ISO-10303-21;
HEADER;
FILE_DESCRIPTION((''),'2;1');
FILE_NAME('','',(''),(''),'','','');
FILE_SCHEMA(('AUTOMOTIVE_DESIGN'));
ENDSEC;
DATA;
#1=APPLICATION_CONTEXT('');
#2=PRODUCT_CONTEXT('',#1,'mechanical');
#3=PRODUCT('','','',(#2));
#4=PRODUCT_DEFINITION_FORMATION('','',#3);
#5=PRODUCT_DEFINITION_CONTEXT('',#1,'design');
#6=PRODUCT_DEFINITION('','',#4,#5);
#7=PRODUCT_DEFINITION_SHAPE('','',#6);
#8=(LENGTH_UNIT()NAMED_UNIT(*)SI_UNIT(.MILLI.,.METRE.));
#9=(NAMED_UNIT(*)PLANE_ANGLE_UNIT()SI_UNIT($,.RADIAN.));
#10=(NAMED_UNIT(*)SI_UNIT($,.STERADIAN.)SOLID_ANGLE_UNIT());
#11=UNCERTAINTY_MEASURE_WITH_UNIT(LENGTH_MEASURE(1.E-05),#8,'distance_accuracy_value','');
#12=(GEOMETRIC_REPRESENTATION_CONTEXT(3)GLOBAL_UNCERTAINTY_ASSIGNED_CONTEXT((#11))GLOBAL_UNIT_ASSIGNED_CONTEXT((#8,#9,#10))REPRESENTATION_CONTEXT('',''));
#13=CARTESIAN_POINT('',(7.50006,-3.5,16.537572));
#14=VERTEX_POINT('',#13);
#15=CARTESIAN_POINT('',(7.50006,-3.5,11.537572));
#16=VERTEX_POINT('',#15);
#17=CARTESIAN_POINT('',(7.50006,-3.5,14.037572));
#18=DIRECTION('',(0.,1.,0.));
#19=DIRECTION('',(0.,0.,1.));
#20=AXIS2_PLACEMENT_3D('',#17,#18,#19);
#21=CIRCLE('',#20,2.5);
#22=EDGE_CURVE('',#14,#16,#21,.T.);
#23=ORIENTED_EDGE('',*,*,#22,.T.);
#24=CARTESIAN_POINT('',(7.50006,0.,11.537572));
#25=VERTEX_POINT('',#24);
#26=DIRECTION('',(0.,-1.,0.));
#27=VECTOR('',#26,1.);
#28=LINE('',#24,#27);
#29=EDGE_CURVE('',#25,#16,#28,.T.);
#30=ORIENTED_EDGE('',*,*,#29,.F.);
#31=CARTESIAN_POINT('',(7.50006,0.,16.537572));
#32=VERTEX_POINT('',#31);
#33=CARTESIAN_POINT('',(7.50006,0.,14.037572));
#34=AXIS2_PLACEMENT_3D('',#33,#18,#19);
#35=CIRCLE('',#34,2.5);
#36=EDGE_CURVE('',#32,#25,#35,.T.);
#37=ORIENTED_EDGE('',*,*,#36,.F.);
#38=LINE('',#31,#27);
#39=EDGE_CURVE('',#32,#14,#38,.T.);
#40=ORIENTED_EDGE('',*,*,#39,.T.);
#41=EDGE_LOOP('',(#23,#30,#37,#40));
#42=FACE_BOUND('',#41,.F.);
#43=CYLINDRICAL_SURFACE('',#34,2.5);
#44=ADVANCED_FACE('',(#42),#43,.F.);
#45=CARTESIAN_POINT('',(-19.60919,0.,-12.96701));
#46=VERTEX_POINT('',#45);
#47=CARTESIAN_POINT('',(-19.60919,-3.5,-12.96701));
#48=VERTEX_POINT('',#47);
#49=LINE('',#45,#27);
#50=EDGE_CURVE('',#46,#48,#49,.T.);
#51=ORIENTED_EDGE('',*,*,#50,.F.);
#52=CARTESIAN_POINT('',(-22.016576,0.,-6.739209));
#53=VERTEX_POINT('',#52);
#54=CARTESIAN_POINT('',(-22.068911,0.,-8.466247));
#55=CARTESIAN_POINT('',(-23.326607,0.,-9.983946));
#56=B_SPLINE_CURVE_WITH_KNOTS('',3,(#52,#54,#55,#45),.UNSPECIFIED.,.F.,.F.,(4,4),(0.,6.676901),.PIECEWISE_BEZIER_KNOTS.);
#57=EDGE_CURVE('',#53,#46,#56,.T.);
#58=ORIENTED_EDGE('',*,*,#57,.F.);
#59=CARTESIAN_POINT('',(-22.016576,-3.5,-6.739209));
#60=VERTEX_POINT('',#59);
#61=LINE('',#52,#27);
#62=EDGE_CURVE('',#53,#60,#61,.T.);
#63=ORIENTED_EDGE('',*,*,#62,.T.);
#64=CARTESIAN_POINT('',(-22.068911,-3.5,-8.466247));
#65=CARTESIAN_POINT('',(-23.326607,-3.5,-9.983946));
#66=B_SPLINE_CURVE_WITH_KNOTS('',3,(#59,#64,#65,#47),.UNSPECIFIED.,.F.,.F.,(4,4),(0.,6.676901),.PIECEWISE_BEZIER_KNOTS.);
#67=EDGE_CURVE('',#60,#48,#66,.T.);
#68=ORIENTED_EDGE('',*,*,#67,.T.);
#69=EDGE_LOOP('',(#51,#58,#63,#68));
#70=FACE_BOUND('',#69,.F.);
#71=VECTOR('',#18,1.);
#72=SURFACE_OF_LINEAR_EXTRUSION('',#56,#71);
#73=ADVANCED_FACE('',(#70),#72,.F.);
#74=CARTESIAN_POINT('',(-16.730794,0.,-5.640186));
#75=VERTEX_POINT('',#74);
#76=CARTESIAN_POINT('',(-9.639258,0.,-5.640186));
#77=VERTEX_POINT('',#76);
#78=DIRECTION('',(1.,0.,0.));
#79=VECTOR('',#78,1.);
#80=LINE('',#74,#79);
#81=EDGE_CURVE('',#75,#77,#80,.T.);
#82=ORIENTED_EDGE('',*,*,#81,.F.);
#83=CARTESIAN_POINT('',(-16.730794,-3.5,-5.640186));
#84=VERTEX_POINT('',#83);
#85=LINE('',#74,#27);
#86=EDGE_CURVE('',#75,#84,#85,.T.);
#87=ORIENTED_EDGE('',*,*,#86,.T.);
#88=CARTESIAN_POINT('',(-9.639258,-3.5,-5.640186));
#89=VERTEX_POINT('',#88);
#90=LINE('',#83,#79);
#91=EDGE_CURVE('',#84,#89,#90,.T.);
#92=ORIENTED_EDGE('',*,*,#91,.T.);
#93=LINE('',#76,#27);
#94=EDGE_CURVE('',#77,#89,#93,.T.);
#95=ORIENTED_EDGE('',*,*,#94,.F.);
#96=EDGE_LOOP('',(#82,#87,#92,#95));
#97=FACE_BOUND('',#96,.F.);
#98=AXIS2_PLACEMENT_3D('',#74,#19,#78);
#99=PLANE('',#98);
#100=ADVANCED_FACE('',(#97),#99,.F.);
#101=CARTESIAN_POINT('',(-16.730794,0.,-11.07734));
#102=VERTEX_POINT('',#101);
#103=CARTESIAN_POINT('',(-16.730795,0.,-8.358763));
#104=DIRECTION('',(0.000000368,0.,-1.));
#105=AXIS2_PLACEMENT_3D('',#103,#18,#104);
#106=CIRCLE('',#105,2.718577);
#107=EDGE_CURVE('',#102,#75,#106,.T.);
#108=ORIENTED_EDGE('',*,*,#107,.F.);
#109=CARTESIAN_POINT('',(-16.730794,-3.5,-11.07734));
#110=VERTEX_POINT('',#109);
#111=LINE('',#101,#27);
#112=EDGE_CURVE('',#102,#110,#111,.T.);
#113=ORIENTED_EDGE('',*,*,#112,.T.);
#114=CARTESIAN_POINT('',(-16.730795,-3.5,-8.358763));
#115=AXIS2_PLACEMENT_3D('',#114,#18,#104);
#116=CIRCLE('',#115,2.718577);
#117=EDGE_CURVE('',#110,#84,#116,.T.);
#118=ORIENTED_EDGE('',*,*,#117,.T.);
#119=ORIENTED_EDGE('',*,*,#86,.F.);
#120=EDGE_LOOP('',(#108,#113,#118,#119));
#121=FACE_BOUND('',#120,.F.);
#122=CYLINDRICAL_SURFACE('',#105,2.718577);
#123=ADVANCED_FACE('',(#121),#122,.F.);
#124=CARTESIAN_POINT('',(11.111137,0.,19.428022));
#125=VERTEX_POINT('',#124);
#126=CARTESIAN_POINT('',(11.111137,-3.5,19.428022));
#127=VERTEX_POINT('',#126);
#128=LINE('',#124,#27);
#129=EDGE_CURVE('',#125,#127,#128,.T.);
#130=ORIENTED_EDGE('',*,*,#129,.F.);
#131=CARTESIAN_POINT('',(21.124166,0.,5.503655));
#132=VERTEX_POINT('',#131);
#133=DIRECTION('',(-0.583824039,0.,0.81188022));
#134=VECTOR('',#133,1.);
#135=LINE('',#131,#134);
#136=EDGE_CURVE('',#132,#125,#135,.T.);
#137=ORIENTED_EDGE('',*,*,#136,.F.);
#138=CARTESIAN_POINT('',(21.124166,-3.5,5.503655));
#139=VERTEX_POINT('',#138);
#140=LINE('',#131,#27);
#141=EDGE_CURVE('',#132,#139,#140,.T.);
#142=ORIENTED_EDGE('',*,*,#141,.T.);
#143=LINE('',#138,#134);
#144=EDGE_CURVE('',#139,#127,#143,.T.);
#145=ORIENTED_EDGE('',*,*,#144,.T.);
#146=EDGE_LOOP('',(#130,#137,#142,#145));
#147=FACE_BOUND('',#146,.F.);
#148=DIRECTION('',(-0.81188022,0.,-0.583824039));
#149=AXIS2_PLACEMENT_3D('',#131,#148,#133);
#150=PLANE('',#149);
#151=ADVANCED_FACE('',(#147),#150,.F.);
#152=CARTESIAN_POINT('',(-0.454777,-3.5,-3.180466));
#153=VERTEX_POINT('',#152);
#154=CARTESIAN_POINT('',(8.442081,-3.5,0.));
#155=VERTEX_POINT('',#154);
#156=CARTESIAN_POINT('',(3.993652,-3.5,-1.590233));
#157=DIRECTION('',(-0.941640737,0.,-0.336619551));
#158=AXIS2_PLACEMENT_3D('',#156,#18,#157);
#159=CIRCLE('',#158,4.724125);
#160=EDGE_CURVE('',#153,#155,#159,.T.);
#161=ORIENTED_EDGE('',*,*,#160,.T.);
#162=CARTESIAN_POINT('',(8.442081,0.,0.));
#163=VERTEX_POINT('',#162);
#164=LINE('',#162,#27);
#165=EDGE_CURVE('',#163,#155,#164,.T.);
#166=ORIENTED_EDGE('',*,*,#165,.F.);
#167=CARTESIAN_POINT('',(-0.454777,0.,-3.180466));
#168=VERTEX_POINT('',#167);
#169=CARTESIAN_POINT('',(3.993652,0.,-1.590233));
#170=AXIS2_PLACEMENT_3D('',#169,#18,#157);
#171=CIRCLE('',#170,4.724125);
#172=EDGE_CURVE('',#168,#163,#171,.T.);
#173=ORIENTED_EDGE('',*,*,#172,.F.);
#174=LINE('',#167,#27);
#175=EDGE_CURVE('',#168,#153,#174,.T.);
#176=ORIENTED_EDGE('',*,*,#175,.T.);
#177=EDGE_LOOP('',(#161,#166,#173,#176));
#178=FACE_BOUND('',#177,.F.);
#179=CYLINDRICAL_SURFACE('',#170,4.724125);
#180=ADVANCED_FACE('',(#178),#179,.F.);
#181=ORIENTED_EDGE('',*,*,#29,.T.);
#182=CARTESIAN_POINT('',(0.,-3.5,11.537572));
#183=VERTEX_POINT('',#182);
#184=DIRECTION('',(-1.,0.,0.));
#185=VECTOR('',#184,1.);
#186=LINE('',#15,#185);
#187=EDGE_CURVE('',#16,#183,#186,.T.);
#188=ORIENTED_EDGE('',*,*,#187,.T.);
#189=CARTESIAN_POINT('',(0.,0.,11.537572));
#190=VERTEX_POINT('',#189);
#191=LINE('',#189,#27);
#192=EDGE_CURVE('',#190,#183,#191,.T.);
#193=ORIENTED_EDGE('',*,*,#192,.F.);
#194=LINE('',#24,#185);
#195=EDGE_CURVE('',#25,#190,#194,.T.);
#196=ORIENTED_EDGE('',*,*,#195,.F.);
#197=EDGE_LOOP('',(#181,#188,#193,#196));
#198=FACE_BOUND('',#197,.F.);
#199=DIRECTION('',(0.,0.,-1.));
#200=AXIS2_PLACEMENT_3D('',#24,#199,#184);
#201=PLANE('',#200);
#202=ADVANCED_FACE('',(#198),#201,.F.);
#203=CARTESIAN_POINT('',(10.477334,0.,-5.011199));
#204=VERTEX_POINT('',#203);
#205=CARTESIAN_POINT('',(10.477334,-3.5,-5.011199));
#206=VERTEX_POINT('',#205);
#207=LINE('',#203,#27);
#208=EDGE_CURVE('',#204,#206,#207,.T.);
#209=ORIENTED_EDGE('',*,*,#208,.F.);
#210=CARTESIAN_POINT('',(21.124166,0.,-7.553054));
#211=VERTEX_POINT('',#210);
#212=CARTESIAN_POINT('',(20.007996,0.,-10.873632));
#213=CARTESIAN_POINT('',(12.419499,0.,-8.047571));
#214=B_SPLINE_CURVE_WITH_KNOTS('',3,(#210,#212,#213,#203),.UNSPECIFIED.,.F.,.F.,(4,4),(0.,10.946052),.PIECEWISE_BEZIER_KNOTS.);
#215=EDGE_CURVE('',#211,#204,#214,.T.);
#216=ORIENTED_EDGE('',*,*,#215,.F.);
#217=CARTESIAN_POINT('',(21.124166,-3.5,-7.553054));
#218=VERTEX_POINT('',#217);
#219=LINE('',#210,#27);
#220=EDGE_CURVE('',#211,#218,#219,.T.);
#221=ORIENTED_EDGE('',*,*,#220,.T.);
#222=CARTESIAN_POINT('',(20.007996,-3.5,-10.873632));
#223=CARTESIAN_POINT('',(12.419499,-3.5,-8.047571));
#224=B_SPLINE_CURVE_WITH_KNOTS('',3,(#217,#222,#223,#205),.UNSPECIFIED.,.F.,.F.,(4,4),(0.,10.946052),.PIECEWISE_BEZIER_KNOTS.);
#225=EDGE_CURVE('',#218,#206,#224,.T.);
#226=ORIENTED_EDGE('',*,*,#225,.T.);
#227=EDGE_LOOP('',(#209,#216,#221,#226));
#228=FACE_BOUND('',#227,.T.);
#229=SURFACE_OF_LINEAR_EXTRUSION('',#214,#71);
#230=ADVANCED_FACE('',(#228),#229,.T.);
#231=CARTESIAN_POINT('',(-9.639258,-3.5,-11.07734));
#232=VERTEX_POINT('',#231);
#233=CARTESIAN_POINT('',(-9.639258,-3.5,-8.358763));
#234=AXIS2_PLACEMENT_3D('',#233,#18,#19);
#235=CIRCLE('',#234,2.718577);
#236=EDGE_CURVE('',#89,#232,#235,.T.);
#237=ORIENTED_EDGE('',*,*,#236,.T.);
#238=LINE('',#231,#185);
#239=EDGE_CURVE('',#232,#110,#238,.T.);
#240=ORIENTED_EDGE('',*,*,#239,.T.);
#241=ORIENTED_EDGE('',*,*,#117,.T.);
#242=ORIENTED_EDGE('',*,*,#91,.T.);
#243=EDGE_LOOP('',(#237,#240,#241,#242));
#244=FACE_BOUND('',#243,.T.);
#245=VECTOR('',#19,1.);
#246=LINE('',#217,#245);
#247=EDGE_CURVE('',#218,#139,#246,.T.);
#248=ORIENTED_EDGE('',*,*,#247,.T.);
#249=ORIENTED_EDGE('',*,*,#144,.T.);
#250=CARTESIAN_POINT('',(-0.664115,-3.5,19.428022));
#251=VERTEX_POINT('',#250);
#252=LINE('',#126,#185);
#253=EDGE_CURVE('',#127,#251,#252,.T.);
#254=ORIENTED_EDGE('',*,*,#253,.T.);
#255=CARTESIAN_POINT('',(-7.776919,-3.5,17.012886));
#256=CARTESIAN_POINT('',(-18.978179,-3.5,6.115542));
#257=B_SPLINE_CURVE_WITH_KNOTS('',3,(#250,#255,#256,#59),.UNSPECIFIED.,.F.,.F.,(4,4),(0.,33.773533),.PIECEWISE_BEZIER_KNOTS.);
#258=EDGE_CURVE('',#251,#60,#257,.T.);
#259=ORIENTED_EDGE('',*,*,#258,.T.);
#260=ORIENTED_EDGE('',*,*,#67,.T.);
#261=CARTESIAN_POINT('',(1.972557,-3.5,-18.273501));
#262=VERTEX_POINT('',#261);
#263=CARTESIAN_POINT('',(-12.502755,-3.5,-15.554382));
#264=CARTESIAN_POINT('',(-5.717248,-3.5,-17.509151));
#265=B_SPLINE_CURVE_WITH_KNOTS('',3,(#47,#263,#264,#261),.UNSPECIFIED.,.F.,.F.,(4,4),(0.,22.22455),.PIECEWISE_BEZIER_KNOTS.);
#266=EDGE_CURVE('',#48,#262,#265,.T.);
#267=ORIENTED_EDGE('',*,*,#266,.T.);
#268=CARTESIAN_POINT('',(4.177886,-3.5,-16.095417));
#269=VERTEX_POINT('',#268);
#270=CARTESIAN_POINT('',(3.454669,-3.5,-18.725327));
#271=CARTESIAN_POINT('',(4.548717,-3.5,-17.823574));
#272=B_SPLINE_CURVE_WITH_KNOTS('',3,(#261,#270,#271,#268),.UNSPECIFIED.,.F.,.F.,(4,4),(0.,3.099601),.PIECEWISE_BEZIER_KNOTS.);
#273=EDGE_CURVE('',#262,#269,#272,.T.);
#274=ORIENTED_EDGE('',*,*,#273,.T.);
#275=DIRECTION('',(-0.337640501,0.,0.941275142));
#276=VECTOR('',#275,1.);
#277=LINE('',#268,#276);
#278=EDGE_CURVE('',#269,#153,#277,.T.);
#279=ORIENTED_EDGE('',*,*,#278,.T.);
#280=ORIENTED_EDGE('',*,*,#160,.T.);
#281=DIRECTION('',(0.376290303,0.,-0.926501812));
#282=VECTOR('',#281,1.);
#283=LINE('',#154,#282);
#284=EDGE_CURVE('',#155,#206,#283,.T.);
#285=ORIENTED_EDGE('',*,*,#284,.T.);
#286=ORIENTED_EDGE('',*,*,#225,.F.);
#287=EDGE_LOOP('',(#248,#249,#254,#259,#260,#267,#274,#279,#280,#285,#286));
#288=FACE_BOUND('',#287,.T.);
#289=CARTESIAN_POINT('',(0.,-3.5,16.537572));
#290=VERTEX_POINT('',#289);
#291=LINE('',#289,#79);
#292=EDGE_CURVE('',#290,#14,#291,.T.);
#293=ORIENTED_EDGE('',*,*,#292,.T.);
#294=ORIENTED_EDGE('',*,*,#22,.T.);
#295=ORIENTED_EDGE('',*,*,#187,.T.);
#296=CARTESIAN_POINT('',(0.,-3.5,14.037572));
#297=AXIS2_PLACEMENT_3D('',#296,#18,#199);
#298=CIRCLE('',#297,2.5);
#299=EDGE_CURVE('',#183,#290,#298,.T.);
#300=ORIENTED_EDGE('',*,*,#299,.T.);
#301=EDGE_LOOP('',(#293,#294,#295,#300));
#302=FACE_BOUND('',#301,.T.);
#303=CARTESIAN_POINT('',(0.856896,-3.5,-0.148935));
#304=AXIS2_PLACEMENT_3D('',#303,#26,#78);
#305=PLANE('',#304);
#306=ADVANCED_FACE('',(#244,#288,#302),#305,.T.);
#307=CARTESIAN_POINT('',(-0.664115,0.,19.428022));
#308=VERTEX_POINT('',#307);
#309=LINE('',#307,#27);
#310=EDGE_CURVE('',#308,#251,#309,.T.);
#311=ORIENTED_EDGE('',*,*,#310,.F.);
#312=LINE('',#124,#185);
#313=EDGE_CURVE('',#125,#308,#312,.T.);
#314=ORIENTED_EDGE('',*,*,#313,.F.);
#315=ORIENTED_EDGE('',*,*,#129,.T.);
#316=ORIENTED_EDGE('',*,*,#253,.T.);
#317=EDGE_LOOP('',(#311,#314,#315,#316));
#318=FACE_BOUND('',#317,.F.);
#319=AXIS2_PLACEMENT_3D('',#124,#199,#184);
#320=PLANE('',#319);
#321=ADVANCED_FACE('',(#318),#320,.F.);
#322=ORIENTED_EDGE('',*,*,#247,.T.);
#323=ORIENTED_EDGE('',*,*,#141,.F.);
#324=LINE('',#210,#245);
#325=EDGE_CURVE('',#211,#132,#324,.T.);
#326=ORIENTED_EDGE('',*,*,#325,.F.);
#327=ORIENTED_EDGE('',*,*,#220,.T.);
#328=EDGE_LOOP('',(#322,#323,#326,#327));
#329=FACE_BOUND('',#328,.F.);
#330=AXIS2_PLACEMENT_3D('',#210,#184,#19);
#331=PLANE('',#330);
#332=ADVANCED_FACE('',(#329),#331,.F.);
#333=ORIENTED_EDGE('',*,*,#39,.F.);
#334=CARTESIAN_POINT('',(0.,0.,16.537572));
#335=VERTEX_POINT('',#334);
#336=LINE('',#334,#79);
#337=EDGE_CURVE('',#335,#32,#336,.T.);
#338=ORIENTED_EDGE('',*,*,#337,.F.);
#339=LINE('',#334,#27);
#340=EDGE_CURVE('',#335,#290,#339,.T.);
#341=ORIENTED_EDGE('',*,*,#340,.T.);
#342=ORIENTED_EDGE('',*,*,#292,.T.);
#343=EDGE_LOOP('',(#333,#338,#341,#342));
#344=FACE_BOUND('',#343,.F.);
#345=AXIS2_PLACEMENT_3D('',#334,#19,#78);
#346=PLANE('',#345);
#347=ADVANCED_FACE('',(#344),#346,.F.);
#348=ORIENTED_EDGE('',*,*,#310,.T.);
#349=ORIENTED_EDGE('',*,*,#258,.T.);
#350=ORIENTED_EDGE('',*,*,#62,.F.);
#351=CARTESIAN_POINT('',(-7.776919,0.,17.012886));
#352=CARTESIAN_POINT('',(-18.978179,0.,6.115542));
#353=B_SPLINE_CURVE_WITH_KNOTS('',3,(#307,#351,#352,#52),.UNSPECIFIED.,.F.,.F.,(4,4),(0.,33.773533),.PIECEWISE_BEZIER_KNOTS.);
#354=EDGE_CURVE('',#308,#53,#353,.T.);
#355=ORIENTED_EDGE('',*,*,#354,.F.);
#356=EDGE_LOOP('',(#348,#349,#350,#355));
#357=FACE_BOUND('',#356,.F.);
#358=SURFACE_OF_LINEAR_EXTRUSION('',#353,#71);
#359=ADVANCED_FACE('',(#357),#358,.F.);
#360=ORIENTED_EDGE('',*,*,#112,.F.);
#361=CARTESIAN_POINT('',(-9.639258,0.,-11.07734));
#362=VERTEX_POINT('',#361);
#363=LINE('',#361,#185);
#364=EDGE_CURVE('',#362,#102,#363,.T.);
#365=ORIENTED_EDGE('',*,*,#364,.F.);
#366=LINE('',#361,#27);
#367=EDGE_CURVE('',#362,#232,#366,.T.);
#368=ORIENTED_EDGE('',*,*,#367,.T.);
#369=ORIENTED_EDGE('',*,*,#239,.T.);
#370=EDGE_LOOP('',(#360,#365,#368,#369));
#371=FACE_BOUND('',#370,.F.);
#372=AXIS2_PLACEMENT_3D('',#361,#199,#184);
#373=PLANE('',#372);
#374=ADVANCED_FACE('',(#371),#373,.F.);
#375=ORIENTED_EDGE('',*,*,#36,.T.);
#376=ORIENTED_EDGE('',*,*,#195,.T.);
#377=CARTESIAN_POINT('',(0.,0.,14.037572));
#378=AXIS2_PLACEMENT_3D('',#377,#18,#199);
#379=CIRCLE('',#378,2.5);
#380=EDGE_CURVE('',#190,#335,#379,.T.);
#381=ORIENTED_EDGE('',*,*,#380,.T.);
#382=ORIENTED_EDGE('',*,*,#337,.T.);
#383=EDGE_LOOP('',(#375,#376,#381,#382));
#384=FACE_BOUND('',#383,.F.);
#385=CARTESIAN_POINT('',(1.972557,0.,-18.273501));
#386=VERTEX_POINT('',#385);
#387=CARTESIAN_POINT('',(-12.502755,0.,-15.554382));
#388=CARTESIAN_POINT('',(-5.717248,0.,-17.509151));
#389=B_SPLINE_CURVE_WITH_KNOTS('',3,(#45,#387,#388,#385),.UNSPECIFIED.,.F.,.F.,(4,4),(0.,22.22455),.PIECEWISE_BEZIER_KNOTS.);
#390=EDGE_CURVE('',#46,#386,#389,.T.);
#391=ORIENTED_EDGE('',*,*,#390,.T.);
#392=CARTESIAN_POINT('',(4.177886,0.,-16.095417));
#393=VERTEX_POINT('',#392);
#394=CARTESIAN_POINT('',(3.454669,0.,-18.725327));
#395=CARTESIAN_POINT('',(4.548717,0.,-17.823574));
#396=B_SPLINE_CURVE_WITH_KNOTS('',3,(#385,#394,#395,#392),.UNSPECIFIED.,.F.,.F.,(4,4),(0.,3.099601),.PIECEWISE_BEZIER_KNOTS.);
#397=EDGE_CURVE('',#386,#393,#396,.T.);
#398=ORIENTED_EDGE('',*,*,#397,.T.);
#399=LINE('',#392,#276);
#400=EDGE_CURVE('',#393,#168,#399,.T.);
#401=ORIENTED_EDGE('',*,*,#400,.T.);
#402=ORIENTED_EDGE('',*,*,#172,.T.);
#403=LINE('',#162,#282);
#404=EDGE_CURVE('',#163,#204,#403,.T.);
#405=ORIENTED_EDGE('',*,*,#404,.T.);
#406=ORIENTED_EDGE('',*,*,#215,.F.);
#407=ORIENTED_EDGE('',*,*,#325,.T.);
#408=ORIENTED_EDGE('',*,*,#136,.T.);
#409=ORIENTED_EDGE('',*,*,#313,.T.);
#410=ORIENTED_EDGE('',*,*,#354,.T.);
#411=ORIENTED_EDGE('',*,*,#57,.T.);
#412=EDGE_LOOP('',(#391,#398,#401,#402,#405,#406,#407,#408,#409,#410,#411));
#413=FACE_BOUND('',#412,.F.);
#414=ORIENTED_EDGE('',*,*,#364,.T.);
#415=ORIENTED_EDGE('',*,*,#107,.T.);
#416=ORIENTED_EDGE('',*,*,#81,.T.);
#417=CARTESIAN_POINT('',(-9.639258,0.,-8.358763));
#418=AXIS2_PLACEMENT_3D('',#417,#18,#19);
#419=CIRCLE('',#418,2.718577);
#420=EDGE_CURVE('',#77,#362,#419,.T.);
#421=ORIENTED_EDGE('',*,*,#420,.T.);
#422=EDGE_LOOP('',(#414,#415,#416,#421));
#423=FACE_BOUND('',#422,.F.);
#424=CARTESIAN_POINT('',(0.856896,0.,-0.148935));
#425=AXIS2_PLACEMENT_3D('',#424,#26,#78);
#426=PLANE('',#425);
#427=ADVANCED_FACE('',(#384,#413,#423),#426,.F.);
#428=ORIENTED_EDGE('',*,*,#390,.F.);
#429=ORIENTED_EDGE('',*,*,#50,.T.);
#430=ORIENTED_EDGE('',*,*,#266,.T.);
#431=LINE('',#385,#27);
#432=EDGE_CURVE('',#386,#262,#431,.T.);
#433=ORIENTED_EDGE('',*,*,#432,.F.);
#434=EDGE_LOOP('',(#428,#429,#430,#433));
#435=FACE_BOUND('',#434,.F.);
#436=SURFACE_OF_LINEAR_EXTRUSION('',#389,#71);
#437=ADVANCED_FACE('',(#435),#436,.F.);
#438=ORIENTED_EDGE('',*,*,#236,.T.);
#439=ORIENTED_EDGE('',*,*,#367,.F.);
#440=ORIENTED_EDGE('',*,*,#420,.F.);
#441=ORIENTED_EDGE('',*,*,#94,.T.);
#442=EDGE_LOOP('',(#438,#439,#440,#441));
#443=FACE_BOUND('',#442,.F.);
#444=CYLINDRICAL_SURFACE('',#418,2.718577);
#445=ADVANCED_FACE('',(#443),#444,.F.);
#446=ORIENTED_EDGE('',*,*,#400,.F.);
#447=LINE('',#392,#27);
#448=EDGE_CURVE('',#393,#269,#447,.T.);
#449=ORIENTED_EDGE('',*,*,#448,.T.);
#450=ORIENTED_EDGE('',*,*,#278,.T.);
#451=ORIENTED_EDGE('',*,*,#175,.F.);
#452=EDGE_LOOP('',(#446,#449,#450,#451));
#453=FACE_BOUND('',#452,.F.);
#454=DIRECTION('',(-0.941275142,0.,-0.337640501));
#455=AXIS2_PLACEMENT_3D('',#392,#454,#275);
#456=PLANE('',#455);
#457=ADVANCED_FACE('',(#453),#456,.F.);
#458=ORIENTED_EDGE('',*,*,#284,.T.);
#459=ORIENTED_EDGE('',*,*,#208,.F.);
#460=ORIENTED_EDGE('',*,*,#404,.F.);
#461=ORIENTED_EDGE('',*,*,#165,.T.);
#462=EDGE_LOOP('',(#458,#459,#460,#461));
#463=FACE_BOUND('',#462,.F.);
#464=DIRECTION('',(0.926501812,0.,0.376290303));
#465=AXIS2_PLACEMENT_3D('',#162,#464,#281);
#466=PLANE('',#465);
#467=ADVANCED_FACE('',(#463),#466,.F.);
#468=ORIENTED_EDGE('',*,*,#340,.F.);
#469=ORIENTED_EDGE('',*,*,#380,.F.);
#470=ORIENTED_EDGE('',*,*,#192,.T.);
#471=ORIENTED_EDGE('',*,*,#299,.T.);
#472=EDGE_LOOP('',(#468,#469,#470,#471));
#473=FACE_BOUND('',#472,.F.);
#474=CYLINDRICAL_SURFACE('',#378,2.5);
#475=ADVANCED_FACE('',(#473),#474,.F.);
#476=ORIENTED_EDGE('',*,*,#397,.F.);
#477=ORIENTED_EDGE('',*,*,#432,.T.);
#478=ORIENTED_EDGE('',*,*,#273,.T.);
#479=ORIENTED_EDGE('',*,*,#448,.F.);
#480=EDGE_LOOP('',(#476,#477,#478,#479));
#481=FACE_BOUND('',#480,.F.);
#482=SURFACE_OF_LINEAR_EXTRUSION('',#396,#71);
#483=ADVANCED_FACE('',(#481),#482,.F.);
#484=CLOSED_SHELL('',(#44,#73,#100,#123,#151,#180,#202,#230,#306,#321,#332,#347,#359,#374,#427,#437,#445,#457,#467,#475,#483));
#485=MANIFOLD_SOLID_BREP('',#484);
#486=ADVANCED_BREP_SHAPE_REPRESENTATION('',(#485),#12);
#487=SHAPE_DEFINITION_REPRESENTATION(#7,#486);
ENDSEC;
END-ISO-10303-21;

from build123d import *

# Parameters (mm, degrees)
F1_DEPTH = 3.5


with BuildPart() as f1:
    # F0 (on Front) → F1 (new body)
    with BuildSketch(Plane.XZ):
        with BuildLine():
            Line((11.111137, 19.428022), (-0.664115, 19.428022))
            add(Edge.make_bspline(
                [(-0.664115, 19.428022), (-7.776919, 17.012886), (-18.978179, 6.115542), (-22.016576, -6.739209)],
                knots=[0, 0, 0, 0, 33.773533, 33.773533, 33.773533, 33.773533], degree=3))
            add(Edge.make_bspline(
                [(-22.016576, -6.739209), (-22.068911, -8.466247), (-23.326607, -9.983946), (-19.60919, -12.96701)],
                knots=[0, 0, 0, 0, 6.676901, 6.676901, 6.676901, 6.676901], degree=3))
            add(Edge.make_bspline(
                [(-19.60919, -12.96701), (-12.502755, -15.554382), (-5.717248, -17.509151), (1.972557, -18.273501)],
                knots=[0, 0, 0, 0, 22.22455, 22.22455, 22.22455, 22.22455], degree=3))
            add(Edge.make_bspline(
                [(1.972557, -18.273501), (3.454669, -18.725327), (4.548717, -17.823574), (4.177886, -16.095417)],
                knots=[0, 0, 0, 0, 3.099601, 3.099601, 3.099601, 3.099601], degree=3))
            Line((4.177886, -16.095417), (-0.454777, -3.180466))
            ThreePointArc((-0.454777, -3.180466), (2.403419, 2.858196), (8.442081, 0))
            Line((8.442081, 0), (10.477334, -5.011199))
            add(Edge.make_bspline(
                [(21.124166, -7.553054), (20.007996, -10.873632), (12.419499, -8.047571), (10.477334, -5.011199)],
                knots=[0, 0, 0, 0, 10.946052, 10.946052, 10.946052, 10.946052], degree=3))
            Line((21.124166, -7.553054), (21.124166, 5.503655))
            Line((21.124166, 5.503655), (11.111137, 19.428022))
        make_face()
        with BuildLine():
            ThreePointArc((-16.730794, -11.07734), (-19.449372, -8.358763), (-16.730794, -5.640186))
            Line((-16.730794, -5.640186), (-9.639258, -5.640186))
            ThreePointArc((-9.639258, -5.640186), (-6.920681, -8.358763), (-9.639258, -11.07734))
            Line((-9.639258, -11.07734), (-16.730794, -11.07734))
        make_face(mode=Mode.SUBTRACT)
        with BuildLine():
            ThreePointArc((0, 11.537572), (-2.5, 14.037572), (0, 16.537572))
            Line((0, 16.537572), (7.50006, 16.537572))
            ThreePointArc((7.50006, 16.537572), (10.00006, 14.037572), (7.50006, 11.537572))
            Line((7.50006, 11.537572), (0, 11.537572))
        make_face(mode=Mode.SUBTRACT)
    extrude(amount=F1_DEPTH)


solid = f1.part
